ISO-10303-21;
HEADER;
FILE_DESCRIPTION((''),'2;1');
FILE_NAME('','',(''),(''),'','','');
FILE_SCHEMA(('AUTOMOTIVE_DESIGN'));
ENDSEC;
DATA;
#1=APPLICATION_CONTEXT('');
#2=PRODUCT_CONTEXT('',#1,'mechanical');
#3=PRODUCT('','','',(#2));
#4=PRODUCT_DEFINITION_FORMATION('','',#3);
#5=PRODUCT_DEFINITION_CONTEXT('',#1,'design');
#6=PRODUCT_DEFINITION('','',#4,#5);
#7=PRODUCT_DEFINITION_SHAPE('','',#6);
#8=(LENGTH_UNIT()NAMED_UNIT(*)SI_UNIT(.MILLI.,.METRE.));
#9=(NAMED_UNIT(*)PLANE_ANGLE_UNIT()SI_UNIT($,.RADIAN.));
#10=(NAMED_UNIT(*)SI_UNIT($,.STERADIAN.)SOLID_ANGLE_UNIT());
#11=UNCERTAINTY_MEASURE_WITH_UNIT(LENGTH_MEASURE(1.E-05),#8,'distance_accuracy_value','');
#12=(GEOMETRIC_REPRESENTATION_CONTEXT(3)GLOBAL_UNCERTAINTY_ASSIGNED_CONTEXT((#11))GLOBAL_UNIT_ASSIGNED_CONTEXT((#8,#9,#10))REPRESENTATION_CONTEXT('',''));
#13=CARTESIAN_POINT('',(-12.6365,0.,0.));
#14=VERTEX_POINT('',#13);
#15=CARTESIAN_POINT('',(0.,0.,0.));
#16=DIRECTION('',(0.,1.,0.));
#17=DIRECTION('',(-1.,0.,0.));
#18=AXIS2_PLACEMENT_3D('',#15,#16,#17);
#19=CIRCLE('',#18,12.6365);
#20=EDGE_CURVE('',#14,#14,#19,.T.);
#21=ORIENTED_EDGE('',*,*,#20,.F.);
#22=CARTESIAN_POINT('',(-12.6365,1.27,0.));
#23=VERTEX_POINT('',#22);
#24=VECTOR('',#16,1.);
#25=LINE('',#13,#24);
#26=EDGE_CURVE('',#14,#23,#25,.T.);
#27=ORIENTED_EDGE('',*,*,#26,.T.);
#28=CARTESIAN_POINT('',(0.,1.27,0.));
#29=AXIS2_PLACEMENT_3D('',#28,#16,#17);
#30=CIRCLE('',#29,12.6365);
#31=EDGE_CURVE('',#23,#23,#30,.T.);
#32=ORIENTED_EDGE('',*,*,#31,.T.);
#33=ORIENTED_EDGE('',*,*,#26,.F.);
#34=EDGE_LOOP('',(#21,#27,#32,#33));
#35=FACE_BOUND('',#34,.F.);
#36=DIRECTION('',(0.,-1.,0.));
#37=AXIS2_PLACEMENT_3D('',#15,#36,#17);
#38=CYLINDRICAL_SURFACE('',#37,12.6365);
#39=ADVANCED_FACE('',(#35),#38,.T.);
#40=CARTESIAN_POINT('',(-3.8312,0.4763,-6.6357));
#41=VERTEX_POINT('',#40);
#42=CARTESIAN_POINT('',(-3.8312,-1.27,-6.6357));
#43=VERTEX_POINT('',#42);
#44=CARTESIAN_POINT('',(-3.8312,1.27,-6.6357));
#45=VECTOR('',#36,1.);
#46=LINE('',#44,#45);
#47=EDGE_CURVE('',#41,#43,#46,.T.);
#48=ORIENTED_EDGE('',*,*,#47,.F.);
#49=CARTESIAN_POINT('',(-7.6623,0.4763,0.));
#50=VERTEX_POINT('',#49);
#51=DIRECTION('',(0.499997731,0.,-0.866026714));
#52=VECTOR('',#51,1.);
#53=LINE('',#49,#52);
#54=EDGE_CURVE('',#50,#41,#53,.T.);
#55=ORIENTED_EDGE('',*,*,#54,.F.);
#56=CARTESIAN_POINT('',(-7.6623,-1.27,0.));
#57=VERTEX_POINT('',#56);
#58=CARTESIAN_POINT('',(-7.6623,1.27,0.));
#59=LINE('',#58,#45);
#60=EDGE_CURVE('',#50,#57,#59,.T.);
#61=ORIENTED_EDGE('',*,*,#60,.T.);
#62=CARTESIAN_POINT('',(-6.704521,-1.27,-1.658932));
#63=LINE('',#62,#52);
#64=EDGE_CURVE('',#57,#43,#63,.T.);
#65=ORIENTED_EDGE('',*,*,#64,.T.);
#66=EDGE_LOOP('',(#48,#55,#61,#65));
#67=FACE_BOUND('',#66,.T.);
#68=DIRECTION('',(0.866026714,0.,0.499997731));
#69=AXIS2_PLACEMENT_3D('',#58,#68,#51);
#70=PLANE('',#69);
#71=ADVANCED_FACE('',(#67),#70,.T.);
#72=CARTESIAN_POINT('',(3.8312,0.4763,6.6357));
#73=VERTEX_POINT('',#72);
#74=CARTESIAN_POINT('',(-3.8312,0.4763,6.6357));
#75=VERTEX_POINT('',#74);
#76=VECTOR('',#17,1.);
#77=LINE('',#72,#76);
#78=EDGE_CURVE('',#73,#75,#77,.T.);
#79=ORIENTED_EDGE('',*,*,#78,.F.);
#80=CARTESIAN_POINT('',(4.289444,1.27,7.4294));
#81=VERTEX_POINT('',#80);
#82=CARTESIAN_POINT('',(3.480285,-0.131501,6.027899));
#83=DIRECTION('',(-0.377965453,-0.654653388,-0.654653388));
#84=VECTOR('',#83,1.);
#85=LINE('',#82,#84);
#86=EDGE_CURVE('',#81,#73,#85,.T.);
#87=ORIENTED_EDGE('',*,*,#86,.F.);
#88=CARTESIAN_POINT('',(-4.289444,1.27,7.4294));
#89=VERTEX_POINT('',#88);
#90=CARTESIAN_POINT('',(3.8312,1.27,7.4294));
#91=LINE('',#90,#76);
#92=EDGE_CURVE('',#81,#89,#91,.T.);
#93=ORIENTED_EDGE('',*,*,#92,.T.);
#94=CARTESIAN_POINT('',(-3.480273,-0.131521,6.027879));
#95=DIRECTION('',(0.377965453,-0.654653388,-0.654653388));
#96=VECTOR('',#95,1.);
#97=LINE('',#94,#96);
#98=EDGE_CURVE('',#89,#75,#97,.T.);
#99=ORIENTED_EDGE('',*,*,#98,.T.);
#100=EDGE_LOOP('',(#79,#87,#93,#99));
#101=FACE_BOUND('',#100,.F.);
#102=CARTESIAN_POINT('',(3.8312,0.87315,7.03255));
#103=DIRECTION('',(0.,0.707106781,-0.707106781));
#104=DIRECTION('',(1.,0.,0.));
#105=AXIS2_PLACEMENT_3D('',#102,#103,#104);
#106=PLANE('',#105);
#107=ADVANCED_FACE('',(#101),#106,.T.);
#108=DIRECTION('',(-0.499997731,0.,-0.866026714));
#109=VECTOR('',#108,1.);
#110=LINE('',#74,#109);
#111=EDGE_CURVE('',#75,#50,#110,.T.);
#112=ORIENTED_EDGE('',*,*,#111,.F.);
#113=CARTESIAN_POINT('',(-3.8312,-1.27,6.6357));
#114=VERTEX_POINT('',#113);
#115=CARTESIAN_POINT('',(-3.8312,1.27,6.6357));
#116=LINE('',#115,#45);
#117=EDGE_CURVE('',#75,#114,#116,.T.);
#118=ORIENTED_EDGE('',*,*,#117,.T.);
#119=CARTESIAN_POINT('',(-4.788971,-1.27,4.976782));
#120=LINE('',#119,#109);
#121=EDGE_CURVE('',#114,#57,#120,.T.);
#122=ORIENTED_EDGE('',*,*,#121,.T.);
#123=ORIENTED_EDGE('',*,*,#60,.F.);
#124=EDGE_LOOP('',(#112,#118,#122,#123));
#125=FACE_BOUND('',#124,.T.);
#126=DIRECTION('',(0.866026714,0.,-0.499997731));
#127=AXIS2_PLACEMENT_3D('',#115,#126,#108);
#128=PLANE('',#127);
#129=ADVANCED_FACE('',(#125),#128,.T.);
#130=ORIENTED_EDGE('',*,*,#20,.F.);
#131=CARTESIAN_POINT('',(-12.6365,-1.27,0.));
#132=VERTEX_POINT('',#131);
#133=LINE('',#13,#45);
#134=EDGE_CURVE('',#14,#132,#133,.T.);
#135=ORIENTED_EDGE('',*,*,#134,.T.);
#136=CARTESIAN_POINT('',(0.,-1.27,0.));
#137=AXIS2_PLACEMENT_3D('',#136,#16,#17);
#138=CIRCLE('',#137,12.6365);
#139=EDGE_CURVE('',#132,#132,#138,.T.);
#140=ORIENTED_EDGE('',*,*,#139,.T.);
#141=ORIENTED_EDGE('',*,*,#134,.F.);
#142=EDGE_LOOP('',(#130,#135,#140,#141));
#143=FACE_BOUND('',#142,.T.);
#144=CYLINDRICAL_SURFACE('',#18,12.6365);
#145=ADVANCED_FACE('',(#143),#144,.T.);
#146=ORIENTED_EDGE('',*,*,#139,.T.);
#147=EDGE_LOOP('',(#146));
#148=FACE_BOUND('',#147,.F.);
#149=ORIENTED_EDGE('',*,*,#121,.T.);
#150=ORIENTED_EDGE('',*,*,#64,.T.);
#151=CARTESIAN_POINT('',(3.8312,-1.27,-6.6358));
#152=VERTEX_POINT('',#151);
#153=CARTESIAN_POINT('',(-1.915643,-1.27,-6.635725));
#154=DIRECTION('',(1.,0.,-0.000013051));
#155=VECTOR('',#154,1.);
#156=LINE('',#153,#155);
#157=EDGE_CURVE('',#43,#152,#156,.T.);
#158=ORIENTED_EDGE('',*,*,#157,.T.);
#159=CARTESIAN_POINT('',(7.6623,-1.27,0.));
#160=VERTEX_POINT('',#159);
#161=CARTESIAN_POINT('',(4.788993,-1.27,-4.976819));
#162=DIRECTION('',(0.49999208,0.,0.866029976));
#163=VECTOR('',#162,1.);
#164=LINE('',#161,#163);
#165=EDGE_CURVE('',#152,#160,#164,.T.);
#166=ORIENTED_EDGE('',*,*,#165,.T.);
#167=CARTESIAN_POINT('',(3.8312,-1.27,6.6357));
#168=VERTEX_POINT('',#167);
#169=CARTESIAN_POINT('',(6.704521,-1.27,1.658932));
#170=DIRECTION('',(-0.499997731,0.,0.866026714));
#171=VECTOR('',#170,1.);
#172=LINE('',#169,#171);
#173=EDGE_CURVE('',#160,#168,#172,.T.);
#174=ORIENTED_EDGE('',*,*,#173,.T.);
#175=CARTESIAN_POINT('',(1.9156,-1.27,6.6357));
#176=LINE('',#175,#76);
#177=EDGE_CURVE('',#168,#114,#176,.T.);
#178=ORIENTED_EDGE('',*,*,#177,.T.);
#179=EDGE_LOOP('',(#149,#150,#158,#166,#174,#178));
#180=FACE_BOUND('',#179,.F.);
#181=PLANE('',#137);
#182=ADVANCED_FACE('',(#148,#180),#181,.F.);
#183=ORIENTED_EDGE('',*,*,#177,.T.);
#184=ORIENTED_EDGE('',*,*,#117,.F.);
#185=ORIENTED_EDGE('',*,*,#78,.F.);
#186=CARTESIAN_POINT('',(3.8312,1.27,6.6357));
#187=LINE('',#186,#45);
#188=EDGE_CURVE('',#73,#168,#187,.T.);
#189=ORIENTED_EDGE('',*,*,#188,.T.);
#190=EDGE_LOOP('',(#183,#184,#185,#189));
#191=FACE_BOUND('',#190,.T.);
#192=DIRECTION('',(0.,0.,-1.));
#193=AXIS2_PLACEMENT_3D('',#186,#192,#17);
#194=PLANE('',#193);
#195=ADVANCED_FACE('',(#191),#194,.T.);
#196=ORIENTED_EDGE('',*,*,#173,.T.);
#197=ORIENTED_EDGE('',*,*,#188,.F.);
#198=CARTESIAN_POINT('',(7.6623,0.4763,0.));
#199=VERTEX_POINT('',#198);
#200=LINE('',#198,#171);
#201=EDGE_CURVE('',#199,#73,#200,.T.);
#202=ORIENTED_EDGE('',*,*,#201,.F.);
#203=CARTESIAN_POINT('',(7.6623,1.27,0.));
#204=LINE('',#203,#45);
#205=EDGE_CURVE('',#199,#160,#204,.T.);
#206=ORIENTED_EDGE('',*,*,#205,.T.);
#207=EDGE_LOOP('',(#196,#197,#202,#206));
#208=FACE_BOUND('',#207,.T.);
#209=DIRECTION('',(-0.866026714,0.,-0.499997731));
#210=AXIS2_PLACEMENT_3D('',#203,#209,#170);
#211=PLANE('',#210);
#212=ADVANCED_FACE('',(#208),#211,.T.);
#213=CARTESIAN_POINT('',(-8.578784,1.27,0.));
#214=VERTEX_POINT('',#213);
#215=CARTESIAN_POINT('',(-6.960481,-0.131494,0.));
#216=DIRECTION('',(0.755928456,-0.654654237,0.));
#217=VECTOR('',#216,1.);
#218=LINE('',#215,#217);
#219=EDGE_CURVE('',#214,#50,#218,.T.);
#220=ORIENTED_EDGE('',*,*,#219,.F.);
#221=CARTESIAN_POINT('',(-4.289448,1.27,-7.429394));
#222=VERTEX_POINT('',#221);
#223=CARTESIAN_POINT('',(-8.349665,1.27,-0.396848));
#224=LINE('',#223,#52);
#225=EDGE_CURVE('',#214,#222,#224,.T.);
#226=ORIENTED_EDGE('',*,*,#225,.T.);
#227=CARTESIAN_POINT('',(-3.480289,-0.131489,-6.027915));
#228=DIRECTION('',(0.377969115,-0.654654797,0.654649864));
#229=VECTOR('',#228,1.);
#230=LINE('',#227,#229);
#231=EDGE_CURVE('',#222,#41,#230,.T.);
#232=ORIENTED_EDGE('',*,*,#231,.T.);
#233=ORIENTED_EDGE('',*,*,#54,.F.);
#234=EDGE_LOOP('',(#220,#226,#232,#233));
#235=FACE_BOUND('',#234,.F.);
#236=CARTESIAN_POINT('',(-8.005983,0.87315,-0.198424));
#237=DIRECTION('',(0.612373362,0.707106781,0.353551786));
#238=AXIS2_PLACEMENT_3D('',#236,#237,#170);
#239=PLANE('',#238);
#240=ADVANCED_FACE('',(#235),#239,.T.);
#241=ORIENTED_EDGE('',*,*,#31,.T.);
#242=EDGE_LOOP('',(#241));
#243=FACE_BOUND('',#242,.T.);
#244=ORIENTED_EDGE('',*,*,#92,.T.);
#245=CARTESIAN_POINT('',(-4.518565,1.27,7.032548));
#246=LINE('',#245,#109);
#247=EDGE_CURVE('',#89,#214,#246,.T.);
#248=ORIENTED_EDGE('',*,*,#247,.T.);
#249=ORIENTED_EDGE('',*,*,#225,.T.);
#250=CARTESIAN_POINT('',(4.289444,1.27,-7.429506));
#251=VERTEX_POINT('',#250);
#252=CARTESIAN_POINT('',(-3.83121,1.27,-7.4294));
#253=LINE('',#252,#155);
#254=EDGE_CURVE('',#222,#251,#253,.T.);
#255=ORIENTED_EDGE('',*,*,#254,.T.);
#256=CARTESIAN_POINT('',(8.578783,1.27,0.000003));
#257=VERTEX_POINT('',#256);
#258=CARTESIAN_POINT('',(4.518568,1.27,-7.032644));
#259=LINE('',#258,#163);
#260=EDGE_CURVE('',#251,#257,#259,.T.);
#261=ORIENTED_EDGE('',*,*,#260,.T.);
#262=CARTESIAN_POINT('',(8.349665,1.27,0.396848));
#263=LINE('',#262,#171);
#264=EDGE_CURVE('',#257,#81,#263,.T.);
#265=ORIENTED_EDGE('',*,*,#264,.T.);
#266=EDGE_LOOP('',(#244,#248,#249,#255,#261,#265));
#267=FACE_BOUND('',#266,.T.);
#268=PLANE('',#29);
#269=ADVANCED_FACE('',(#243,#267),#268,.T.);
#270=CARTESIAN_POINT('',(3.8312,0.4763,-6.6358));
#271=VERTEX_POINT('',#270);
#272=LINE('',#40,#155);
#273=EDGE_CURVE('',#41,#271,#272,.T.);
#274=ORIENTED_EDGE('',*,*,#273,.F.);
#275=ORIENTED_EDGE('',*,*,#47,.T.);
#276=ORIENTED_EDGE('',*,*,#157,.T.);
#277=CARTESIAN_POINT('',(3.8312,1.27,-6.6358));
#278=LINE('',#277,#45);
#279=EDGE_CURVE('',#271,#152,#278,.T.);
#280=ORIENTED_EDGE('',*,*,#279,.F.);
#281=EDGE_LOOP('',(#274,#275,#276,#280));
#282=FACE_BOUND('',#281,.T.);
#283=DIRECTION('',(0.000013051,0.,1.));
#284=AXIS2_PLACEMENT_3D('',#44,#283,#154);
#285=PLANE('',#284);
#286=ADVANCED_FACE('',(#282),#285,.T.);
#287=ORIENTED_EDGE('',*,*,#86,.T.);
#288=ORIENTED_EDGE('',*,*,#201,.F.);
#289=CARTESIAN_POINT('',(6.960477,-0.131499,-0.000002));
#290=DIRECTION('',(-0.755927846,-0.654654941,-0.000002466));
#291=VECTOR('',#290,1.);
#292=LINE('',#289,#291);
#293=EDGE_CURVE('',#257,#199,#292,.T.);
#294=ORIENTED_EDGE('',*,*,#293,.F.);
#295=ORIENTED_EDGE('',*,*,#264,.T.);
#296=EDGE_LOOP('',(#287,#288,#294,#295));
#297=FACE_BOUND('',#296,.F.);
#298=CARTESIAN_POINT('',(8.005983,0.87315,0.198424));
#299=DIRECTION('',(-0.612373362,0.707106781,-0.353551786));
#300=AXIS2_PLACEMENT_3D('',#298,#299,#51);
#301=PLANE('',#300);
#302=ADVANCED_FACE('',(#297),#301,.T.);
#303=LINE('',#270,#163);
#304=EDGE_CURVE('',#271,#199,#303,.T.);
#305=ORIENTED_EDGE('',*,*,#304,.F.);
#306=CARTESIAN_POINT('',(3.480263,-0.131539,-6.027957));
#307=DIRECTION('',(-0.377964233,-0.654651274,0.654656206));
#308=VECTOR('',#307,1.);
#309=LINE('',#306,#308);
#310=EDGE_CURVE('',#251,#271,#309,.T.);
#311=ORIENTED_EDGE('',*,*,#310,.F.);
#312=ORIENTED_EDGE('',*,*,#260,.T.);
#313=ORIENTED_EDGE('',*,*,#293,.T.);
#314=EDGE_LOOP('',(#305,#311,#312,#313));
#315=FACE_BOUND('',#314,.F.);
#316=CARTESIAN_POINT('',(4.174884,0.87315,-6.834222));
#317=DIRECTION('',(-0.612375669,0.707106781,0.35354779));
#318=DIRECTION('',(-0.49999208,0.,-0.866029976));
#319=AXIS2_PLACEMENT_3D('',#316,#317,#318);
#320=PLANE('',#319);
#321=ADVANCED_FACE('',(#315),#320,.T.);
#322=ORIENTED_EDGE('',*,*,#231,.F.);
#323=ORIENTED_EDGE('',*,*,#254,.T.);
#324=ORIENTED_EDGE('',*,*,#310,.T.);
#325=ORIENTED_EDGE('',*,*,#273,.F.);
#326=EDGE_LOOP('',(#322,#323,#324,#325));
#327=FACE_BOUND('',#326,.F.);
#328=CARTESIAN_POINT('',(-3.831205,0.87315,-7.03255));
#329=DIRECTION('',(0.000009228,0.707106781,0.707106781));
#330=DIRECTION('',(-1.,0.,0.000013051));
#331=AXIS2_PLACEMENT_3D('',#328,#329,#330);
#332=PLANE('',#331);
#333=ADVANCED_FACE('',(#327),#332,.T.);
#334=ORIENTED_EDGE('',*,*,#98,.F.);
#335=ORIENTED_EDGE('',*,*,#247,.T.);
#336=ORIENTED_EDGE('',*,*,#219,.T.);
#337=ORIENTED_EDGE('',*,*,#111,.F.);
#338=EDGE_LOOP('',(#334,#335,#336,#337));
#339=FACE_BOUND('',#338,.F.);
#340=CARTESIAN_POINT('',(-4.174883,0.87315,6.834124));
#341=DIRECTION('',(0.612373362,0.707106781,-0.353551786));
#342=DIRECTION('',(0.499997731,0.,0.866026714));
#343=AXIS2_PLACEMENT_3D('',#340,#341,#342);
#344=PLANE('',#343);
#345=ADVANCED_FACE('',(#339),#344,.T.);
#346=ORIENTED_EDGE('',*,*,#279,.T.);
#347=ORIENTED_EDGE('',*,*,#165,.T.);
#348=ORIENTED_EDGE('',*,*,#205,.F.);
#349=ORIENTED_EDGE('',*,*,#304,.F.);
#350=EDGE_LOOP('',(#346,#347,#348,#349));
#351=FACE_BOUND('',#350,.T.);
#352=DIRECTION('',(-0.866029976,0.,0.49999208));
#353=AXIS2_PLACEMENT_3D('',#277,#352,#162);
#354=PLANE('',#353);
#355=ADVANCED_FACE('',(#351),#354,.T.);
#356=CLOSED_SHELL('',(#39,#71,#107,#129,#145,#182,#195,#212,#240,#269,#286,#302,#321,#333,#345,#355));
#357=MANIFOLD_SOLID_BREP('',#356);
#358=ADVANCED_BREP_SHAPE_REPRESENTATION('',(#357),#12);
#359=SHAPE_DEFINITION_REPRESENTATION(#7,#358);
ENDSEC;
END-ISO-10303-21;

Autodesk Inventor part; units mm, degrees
ref_plane "YZ Plane" through (0, 0, 0) normal (1, 0, 0) x (0, 1, 0)
ref_plane "XZ Plane" through (0, 0, 0) normal (0, 1, 0) x (-1, 0, 0)
ref_plane "XY Plane" through (0, 0, 0) normal (0, 0, 1) x (1, 0, 0)
sketch "Sketch9" plane through (0, 0, 0) normal (0, 1, 0) x (-1, 0, 0)
  circle A0 centre (0, 0) radius 12.6365
  dimension "d53" = 25.273
extrude "Extrusion6" add sketch "Sketch9" along normal mid plane 2.54
sketch "Sketch15" plane through (0, 1.27, 0) normal (0, 1, 0) x (1, 0, 0)
  line L0 (7.6623, 0) -> (3.8312, -6.6357)
  line L1 (3.8312, -6.6357) -> (-3.8312, -6.6357)
  line L2 (-3.8312, -6.6357) -> (-7.6623, 0)
  line L3 (-7.6623, 0) -> (-3.8312, 6.6357)
  line L4 (-3.8312, 6.6357) -> (3.8312, 6.6358)
  line L5 (3.8312, 6.6358) -> (7.6623, 0)
  point P0 (0, 0)
  point P1 (0, 0)
  dimension "d82" = 13.2715
extrude "Extrusion11" cut sketch "Sketch15" against normal through all
chamfer "Chamfer7" distance 0.7937 angle 45 6 edges at (-5.7467, 1.27, -3.3179) (-5.7467, 1.27, 3.3179) (0, 1.27, 6.6357) (5.7467, 1.27, 3.3179) (5.7467, 1.27, -3.3179) (0, 1.27, -6.6358)
equation "\"d82\" = hexDiameter"
equation "\"holeForString\" = stringDiameter + clearanceForString"
equation "\"stringDiameter\" = 3.048"
equation "\"clearanceForString\" = 2.032"
equation "\"spoolHeightWithoutSpacer\" = 69.85"
equation "\"hexShaftDiameter\" = 12.7"
equation "\"clearanceForHexShaft\" = 0.5715"
equation "\"hexDiameter\" = hexShaftDiameter + clearanceForHexShaft"
equation "\"supportChannels\" = 3.81"
equation "\"spoolInteriorDiameter\" = 38.1"
equation "\"spoolInteriroRadius\" = 0.5 * spoolInteriorDiameter"
equation "\"spoolExteriorDiameter\" = 88.9"
equation "\"spoolExteriorRadius\" = 0.5 * spoolExteriorDiameter"
equation "\"spoolFiletRadius\" = 0.5 * supportChannels"
equation "\"holeCenter\" = 0.25 * spoolHeightWithoutSpacer - 0.75 * supportChannels"
equation "\"hexHoleChamfer\" = 1.5875"
equation "\"stringHoleCenterFromHexShaft\" = 0.5 * hexDiameter + 0.5 * holeForString"
equation "\"textCircleDiameter\" = 0.75 * spoolExteriorDiameter"
equation "\"textHeight\" = 6.096"
equation "\"textDepth\" = 1.27"
equation "\"stringHoleChamfer\" = 4.7625"
equation "\"spoolTotalHeight\" = 76.2"
equation "\"spaceHeight\" = spoolTotalHeight - spoolHeightWithoutSpacer"
equation "\"spacerDiameter\" = 24.13"
properties part number "spacerForEndV05" material "PC/ABS Plastic"
